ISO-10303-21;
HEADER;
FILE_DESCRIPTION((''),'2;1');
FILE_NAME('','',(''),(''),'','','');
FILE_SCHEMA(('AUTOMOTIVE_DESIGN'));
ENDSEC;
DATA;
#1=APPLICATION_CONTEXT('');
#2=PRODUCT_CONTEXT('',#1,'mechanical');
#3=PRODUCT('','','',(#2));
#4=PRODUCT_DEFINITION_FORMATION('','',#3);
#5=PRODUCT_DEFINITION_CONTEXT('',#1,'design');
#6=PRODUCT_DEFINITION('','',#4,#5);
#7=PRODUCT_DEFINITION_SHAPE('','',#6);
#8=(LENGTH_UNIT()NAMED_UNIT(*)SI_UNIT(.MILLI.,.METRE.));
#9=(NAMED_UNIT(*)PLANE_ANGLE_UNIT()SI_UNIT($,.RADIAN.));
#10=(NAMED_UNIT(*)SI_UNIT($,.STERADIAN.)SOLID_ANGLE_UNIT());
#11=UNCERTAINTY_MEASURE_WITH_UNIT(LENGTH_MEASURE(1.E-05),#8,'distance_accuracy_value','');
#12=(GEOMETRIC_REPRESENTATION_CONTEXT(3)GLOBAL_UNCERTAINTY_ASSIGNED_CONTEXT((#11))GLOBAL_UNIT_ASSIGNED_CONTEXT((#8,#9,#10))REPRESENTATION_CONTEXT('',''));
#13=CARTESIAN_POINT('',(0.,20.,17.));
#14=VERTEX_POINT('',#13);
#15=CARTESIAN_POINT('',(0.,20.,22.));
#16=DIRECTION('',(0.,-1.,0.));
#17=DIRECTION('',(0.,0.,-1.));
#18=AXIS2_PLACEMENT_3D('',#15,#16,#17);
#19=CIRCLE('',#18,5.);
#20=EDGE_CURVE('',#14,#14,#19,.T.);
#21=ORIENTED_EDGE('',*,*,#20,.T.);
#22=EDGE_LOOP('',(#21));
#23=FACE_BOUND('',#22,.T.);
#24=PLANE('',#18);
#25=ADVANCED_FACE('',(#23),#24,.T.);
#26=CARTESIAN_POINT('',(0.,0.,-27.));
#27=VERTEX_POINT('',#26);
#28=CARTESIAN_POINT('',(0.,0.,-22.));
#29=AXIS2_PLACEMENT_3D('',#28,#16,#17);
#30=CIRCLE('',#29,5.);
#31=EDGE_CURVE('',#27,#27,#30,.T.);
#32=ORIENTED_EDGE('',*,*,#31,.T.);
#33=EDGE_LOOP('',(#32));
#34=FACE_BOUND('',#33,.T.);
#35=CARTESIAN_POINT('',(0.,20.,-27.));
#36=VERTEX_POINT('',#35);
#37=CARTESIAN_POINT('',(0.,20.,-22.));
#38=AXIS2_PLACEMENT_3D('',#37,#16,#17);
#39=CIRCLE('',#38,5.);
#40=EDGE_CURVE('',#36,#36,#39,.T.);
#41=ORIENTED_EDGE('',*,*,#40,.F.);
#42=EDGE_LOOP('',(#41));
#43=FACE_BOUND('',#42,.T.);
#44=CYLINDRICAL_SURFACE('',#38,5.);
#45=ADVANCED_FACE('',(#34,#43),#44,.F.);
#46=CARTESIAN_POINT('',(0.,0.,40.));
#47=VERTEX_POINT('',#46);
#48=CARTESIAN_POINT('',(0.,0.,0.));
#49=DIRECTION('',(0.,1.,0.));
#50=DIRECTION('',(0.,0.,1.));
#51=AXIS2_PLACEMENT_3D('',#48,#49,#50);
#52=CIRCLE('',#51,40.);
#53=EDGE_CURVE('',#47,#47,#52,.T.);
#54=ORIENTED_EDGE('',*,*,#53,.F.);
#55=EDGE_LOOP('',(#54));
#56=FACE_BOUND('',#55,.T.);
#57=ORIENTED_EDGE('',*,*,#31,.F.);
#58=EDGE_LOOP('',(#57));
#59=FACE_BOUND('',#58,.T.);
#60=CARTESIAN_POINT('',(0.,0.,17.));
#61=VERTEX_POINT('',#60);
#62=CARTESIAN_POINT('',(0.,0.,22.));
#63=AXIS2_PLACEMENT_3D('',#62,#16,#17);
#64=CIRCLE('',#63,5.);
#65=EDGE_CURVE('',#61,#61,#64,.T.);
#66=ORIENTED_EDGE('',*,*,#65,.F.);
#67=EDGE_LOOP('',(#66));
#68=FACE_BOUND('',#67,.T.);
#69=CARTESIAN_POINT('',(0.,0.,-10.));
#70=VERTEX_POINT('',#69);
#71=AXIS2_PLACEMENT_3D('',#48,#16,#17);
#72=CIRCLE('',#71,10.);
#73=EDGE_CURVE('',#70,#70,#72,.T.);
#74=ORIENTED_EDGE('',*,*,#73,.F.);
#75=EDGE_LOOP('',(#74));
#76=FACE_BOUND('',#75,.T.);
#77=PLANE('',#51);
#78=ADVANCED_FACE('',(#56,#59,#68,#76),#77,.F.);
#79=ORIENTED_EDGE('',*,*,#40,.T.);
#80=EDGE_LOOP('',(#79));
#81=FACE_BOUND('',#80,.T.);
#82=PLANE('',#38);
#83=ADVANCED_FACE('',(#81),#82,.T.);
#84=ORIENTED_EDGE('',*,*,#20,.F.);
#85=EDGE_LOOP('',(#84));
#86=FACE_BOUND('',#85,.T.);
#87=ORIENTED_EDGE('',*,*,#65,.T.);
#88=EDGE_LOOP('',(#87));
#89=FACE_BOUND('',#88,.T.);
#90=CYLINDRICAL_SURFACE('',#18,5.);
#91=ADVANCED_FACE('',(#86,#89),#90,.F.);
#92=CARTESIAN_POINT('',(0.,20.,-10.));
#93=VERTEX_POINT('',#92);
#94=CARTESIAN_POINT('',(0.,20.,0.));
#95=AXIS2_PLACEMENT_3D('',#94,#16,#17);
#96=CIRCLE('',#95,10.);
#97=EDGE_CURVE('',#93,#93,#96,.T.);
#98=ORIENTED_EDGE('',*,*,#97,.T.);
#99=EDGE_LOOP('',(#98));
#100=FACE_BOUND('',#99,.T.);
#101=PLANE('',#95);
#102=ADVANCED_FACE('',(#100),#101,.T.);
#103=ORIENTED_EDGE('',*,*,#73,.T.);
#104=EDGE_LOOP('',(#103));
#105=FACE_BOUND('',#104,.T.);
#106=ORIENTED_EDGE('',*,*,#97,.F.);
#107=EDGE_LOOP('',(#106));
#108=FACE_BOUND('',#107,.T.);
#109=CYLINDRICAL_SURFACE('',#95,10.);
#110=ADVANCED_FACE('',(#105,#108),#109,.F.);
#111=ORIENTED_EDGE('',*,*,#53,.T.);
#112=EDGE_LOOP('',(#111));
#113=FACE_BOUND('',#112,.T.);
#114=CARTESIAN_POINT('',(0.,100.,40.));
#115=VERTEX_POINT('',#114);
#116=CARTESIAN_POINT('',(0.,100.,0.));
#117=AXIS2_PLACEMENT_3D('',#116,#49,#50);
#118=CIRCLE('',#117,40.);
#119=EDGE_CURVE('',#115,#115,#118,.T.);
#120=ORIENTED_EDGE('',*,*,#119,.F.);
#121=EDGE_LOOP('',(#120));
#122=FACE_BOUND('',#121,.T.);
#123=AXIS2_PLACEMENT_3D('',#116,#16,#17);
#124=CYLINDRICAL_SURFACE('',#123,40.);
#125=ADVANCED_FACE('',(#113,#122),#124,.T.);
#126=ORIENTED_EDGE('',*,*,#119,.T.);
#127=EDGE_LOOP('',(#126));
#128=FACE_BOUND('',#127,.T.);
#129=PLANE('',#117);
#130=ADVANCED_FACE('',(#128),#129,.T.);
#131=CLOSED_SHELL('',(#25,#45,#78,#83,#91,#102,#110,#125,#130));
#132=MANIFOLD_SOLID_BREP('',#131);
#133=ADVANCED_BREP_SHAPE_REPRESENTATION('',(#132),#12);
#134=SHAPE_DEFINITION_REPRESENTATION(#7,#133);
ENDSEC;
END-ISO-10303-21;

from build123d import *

# Parameters (mm, degrees)
SKETCH1_R           = 40
BOSS_EXTRUDE1_DEPTH = 100
SKETCH2_R           = 10
SKETCH2_R_2         = 5
CUT_EXTRUDE1_DEPTH  = 20


with BuildPart() as part:
    # Sketch1 → Boss-Extrude1 (new body)
    with BuildSketch(Plane(origin=(0, 0, 0), x_dir=(1, 0, 0), z_dir=(0, 1, 0))):
        with Locations(Location((0, 0, 0), (0, 0, 270))):
            Circle(SKETCH1_R)
    extrude(amount=BOSS_EXTRUDE1_DEPTH)

    # Sketch2 → Cut-Extrude1 (cut)
    with BuildSketch(Plane.XZ):
        with Locations(Location((0, 0, 0), (0, 0, 270))):
            Circle(SKETCH2_R)
        with Locations(Location((0, 22, 0), (0, 0, 270))):
            Circle(SKETCH2_R_2)
        with Locations(Location((0, -22, 0), (0, 0, 270))):
            Circle(SKETCH2_R_2)
    extrude(amount=-CUT_EXTRUDE1_DEPTH, mode=Mode.SUBTRACT)


solid = part.part
